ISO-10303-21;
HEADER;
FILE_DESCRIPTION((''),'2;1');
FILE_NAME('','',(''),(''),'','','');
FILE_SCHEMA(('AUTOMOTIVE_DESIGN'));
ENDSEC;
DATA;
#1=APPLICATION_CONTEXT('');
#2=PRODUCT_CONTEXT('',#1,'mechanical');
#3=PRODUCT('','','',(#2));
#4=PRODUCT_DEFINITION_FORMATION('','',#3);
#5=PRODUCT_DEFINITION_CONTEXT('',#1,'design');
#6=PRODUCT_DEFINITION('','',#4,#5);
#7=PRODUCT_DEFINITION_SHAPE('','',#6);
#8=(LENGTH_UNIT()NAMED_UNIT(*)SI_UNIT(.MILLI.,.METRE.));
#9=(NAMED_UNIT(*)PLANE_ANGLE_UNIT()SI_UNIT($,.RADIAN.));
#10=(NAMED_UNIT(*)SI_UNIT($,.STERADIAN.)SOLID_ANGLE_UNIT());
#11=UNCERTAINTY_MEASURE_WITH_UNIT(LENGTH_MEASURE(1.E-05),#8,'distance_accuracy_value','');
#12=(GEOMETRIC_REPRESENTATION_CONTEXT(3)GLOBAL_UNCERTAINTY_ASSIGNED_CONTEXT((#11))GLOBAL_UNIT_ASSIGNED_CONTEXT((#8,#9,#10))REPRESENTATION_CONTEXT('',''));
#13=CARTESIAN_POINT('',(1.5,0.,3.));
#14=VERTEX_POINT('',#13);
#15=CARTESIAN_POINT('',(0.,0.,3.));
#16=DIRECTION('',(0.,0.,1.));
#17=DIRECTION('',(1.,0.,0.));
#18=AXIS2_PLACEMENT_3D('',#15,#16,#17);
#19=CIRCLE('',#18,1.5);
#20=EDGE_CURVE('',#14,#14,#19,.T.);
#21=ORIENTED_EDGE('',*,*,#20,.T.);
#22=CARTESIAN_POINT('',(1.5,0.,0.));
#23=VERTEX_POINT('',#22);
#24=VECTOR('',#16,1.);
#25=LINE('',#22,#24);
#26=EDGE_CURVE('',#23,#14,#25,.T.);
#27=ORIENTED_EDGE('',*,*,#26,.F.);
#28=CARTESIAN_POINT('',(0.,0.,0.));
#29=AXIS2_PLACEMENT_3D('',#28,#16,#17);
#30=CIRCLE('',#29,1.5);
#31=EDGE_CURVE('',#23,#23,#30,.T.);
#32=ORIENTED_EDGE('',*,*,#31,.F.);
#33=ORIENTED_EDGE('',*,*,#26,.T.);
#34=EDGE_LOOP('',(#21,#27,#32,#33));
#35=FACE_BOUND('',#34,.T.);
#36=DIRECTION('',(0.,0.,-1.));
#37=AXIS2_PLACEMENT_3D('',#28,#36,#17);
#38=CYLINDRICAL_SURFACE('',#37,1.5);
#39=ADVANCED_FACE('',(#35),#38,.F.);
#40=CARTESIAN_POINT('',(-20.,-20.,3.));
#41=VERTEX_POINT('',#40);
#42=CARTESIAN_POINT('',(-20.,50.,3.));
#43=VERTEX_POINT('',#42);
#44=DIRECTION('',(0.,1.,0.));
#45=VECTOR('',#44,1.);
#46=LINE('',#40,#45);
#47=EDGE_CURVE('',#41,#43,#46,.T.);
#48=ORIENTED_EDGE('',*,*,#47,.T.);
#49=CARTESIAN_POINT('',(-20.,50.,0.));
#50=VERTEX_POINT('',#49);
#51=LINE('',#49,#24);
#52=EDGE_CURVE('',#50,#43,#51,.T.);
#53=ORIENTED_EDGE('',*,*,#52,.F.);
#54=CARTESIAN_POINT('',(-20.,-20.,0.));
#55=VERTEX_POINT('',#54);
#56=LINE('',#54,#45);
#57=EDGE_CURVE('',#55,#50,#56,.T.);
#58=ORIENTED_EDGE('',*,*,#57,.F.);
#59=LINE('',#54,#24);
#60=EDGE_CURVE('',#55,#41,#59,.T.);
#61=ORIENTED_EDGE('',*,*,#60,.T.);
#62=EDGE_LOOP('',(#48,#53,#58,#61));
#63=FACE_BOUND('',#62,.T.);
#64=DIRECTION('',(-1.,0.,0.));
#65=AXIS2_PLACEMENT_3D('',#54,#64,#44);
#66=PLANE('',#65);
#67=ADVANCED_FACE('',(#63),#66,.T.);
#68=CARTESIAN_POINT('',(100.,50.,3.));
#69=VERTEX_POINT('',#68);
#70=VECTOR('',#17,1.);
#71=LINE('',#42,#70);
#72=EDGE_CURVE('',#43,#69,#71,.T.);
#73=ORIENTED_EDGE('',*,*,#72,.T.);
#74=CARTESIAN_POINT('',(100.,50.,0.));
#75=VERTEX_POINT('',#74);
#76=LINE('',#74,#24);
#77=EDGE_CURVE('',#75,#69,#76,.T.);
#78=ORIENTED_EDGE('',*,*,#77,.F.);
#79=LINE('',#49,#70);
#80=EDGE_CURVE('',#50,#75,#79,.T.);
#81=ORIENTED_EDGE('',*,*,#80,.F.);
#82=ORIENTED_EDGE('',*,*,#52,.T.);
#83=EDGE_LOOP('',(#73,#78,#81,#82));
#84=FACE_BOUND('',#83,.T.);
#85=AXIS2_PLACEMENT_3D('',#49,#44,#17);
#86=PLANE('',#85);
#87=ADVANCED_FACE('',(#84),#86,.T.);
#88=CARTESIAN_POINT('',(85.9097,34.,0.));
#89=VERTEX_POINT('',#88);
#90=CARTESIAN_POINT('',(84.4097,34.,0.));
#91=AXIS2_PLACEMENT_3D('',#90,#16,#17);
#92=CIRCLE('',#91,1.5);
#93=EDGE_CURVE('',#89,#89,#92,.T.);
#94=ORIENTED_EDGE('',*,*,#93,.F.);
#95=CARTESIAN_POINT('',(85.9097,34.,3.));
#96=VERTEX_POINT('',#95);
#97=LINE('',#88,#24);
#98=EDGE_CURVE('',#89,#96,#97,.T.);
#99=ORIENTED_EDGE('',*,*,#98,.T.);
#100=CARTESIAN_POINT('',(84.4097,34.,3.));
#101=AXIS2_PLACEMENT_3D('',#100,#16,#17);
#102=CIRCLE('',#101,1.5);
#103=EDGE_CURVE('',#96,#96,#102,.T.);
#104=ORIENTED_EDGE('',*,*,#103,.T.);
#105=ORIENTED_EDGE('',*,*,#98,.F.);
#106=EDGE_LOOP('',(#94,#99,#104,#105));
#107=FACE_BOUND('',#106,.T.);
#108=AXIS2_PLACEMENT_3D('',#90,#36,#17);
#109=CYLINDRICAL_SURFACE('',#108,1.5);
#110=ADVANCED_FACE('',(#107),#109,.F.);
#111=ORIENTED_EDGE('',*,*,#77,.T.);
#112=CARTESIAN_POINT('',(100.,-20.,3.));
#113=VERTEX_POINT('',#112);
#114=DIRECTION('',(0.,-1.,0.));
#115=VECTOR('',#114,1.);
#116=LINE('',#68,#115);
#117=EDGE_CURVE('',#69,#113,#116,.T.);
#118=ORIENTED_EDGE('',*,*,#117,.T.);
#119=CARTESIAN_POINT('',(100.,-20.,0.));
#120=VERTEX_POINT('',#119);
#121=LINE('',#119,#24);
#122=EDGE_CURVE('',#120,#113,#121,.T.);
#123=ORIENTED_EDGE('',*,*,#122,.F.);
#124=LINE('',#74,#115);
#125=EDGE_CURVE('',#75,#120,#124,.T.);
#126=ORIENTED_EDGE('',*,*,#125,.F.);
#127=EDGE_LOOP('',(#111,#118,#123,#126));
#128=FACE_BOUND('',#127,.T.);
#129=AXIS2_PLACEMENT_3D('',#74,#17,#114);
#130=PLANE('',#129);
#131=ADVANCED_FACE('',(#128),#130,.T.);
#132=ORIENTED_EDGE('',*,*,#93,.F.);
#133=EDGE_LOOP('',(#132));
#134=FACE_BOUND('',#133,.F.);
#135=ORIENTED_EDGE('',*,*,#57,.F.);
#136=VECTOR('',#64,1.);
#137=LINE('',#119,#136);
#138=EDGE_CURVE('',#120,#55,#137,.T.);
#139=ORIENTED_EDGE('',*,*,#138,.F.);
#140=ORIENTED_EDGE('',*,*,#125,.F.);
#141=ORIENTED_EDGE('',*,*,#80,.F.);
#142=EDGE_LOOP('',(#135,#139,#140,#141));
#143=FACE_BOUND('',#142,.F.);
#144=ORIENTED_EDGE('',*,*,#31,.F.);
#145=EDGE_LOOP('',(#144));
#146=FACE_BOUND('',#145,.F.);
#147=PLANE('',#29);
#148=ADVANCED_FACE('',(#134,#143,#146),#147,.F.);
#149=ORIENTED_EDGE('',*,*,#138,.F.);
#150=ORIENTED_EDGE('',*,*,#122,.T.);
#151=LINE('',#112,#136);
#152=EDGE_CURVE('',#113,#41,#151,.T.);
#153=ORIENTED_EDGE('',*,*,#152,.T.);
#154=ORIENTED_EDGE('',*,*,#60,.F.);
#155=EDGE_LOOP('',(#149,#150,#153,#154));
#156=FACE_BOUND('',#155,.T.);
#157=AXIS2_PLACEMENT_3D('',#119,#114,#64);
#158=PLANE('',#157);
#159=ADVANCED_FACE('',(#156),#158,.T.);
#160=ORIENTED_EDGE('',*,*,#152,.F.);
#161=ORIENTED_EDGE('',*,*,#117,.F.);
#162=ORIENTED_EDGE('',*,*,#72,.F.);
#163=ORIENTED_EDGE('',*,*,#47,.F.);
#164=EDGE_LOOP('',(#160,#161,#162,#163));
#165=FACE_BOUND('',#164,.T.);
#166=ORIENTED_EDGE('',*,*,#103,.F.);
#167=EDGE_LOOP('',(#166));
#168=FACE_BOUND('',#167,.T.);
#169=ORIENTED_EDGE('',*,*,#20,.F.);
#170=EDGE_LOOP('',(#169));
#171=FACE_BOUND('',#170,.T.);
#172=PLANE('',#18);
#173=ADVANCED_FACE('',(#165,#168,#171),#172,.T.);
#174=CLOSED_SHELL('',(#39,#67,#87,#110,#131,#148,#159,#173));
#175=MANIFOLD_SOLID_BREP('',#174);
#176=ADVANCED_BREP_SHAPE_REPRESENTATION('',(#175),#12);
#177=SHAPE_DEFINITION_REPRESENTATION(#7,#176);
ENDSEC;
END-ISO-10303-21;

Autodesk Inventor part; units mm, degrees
ref_plane "YZ Plane" through (0, 0, 0) normal (1, 0, 0) x (0, 1, 0)
ref_plane "XZ Plane" through (0, 0, 0) normal (0, 1, 0) x (-1, 0, 0)
ref_plane "XY Plane" through (0, 0, 0) normal (0, 0, 1) x (1, 0, 0)
sketch "スケッチ1" plane through (0, 0, 0) normal (0, 0, 1) x (1, 0, 0)
  circle A0 centre (0, 0) radius 1.5
  circle A1 centre (84.4097, 34) radius 1.5
  line L0 (-20, 50) -> (100, 50)
  line L1 (100, 50) -> (100, -20)
  line L2 (100, -20) -> (-20, -20)
  line L3 (-20, -20) -> (-20, 50)
  dimension "d0" = 3
  dimension "d1" = 3
  dimension "d2" = 91
  dimension "d3" = 34
extrude "押し出し1" add sketch "スケッチ1" along normal blind 3
properties part number "足フレームの代わり"
